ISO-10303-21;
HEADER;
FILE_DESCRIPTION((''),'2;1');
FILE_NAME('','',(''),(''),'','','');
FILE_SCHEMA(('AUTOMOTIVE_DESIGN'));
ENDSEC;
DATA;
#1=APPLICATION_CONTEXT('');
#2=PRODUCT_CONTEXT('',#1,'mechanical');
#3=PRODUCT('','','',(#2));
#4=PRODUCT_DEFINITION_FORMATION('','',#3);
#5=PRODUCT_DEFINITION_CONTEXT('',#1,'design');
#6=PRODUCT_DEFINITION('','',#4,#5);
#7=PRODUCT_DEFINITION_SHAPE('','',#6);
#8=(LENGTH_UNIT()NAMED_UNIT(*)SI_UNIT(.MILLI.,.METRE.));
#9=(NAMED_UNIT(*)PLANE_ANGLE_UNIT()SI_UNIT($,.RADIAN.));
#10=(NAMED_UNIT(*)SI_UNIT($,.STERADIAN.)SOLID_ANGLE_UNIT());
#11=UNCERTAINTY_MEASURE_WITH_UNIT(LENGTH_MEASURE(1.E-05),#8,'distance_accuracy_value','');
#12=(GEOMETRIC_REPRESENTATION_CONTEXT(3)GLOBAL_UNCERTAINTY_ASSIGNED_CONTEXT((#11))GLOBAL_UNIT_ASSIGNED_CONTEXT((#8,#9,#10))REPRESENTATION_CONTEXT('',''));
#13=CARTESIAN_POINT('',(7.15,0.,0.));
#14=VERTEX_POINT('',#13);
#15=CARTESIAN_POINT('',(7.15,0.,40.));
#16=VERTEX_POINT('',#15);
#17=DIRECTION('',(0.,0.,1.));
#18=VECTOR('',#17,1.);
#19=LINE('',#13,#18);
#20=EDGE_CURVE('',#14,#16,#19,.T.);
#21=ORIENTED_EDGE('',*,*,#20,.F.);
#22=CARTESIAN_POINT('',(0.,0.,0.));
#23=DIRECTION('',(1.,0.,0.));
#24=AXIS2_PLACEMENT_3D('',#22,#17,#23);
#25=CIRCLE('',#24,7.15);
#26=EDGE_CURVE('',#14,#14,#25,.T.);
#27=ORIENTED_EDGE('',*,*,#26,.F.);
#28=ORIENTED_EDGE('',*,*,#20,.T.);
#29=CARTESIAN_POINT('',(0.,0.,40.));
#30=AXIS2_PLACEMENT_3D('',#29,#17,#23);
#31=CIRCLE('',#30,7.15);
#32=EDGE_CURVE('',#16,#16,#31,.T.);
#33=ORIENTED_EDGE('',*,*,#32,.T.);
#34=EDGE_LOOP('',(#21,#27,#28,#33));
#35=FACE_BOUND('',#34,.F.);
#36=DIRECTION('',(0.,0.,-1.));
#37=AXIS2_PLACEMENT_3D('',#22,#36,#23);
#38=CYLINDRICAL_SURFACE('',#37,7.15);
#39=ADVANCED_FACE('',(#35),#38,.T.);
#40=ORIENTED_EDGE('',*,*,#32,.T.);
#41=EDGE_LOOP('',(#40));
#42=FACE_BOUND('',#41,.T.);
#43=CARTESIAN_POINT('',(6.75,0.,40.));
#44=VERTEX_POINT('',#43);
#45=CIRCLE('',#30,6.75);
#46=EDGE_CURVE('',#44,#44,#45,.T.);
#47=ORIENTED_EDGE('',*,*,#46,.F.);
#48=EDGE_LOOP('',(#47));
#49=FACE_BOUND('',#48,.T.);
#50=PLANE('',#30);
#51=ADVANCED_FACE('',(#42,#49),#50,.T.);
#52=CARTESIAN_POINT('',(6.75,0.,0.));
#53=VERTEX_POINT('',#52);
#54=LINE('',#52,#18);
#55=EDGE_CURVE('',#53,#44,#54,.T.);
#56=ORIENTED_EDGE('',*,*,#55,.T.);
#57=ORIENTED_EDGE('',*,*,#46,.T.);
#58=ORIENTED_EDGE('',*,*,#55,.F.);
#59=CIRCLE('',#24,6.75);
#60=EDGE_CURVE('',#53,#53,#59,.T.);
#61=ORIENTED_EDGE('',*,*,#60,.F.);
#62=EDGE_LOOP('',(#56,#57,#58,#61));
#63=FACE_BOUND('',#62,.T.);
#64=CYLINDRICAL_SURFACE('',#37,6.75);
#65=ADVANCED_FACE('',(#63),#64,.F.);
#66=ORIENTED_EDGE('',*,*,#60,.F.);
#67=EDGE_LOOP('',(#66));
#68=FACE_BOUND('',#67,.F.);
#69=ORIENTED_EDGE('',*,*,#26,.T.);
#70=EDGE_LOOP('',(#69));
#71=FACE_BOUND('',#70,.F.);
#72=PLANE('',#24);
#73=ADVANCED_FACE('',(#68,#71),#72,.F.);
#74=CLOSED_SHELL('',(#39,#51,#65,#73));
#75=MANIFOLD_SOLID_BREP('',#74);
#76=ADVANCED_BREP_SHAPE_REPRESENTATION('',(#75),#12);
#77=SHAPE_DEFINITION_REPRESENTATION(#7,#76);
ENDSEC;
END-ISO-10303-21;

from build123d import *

# Parameters (mm, degrees)
SKETCH_R   = 7.15
SKETCH_R_2 = 6.75
PAD_DEPTH  = 40


with BuildPart() as part:
    # Sketch → Pad (new body)
    with BuildSketch(Plane.XY):
        Circle(SKETCH_R)
        Circle(SKETCH_R_2, mode=Mode.SUBTRACT)
    extrude(amount=PAD_DEPTH)


solid = part.part
